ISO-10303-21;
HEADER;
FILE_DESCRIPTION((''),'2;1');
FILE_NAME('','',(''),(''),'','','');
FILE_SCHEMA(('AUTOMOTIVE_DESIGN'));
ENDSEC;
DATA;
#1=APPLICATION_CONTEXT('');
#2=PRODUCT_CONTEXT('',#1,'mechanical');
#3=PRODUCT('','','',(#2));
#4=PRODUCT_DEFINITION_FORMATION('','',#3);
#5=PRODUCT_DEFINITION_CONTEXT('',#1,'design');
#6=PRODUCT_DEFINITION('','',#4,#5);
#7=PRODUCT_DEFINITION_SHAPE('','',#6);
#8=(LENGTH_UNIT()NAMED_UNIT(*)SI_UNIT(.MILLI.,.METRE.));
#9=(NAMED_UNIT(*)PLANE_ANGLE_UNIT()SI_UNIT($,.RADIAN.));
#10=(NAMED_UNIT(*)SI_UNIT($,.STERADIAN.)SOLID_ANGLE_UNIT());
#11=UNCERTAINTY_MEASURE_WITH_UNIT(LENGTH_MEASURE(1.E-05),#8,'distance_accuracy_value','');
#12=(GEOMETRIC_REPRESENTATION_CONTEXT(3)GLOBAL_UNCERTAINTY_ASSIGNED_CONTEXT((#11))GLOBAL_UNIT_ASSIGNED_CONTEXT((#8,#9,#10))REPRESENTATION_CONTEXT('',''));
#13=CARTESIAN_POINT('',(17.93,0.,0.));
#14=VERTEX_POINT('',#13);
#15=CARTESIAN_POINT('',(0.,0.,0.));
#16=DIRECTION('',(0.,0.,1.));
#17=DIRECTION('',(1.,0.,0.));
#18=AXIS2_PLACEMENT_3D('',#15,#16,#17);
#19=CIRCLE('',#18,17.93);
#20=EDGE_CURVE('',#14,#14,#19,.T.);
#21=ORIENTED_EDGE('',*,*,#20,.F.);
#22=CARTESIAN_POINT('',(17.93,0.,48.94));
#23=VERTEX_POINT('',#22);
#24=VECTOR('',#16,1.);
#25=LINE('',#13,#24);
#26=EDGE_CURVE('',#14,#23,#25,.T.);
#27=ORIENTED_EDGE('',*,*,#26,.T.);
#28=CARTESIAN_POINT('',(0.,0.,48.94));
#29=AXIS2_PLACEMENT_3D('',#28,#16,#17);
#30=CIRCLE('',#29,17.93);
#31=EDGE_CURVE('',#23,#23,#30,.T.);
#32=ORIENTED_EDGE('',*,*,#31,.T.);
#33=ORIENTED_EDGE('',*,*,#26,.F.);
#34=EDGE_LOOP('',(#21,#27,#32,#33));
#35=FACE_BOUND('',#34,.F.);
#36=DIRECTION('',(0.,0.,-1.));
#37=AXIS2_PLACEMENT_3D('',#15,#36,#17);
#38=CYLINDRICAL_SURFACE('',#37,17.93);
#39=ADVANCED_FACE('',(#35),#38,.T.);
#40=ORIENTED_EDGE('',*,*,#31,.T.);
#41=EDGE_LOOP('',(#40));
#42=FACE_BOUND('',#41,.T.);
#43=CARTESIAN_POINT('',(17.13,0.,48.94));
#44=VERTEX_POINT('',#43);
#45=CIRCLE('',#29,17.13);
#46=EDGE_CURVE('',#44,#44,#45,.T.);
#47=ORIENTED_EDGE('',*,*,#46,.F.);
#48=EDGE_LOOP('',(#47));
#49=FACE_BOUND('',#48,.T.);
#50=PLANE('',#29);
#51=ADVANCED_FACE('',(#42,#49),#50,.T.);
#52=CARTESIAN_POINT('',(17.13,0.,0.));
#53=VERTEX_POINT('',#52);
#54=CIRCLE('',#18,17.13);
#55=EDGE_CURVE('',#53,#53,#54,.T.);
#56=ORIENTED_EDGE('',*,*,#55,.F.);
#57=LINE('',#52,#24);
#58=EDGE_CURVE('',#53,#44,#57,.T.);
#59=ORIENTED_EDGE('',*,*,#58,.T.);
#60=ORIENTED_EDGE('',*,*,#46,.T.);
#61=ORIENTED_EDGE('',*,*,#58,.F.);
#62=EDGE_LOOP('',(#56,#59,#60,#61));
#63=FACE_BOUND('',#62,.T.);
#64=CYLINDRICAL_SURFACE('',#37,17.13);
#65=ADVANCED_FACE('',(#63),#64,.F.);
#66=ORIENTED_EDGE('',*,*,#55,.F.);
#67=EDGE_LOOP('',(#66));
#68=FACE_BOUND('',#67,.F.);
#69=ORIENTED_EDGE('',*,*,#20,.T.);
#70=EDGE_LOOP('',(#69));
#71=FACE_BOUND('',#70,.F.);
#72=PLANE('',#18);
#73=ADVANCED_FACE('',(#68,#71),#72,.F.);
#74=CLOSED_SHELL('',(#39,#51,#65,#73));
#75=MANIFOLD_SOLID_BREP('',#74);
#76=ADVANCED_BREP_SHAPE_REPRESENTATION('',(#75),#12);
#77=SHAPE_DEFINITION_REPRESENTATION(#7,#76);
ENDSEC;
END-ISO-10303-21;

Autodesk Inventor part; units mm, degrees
ref_plane "XZ Plane" through (0, 0, 0) normal (0, 1, 0) x (-1, 0, 0)
ref_plane "XY Plane" through (0, 0, 0) normal (0, 0, 1) x (1, 0, 0)
sketch "Sketch3" plane through (0, 0, 0) normal (0, 0, 1) x (1, 0, 0)
  circle A0 centre (0, 0) radius 17.93
  circle A1 centre (0, 0) radius 17.13
  dimension "d6" = 35.86
  dimension "d7" = 0.8
extrude "Extrusion3" add sketch "Sketch3" along normal blind 48.94
properties part number "Moteur electrique" material "Iron, Cast"
